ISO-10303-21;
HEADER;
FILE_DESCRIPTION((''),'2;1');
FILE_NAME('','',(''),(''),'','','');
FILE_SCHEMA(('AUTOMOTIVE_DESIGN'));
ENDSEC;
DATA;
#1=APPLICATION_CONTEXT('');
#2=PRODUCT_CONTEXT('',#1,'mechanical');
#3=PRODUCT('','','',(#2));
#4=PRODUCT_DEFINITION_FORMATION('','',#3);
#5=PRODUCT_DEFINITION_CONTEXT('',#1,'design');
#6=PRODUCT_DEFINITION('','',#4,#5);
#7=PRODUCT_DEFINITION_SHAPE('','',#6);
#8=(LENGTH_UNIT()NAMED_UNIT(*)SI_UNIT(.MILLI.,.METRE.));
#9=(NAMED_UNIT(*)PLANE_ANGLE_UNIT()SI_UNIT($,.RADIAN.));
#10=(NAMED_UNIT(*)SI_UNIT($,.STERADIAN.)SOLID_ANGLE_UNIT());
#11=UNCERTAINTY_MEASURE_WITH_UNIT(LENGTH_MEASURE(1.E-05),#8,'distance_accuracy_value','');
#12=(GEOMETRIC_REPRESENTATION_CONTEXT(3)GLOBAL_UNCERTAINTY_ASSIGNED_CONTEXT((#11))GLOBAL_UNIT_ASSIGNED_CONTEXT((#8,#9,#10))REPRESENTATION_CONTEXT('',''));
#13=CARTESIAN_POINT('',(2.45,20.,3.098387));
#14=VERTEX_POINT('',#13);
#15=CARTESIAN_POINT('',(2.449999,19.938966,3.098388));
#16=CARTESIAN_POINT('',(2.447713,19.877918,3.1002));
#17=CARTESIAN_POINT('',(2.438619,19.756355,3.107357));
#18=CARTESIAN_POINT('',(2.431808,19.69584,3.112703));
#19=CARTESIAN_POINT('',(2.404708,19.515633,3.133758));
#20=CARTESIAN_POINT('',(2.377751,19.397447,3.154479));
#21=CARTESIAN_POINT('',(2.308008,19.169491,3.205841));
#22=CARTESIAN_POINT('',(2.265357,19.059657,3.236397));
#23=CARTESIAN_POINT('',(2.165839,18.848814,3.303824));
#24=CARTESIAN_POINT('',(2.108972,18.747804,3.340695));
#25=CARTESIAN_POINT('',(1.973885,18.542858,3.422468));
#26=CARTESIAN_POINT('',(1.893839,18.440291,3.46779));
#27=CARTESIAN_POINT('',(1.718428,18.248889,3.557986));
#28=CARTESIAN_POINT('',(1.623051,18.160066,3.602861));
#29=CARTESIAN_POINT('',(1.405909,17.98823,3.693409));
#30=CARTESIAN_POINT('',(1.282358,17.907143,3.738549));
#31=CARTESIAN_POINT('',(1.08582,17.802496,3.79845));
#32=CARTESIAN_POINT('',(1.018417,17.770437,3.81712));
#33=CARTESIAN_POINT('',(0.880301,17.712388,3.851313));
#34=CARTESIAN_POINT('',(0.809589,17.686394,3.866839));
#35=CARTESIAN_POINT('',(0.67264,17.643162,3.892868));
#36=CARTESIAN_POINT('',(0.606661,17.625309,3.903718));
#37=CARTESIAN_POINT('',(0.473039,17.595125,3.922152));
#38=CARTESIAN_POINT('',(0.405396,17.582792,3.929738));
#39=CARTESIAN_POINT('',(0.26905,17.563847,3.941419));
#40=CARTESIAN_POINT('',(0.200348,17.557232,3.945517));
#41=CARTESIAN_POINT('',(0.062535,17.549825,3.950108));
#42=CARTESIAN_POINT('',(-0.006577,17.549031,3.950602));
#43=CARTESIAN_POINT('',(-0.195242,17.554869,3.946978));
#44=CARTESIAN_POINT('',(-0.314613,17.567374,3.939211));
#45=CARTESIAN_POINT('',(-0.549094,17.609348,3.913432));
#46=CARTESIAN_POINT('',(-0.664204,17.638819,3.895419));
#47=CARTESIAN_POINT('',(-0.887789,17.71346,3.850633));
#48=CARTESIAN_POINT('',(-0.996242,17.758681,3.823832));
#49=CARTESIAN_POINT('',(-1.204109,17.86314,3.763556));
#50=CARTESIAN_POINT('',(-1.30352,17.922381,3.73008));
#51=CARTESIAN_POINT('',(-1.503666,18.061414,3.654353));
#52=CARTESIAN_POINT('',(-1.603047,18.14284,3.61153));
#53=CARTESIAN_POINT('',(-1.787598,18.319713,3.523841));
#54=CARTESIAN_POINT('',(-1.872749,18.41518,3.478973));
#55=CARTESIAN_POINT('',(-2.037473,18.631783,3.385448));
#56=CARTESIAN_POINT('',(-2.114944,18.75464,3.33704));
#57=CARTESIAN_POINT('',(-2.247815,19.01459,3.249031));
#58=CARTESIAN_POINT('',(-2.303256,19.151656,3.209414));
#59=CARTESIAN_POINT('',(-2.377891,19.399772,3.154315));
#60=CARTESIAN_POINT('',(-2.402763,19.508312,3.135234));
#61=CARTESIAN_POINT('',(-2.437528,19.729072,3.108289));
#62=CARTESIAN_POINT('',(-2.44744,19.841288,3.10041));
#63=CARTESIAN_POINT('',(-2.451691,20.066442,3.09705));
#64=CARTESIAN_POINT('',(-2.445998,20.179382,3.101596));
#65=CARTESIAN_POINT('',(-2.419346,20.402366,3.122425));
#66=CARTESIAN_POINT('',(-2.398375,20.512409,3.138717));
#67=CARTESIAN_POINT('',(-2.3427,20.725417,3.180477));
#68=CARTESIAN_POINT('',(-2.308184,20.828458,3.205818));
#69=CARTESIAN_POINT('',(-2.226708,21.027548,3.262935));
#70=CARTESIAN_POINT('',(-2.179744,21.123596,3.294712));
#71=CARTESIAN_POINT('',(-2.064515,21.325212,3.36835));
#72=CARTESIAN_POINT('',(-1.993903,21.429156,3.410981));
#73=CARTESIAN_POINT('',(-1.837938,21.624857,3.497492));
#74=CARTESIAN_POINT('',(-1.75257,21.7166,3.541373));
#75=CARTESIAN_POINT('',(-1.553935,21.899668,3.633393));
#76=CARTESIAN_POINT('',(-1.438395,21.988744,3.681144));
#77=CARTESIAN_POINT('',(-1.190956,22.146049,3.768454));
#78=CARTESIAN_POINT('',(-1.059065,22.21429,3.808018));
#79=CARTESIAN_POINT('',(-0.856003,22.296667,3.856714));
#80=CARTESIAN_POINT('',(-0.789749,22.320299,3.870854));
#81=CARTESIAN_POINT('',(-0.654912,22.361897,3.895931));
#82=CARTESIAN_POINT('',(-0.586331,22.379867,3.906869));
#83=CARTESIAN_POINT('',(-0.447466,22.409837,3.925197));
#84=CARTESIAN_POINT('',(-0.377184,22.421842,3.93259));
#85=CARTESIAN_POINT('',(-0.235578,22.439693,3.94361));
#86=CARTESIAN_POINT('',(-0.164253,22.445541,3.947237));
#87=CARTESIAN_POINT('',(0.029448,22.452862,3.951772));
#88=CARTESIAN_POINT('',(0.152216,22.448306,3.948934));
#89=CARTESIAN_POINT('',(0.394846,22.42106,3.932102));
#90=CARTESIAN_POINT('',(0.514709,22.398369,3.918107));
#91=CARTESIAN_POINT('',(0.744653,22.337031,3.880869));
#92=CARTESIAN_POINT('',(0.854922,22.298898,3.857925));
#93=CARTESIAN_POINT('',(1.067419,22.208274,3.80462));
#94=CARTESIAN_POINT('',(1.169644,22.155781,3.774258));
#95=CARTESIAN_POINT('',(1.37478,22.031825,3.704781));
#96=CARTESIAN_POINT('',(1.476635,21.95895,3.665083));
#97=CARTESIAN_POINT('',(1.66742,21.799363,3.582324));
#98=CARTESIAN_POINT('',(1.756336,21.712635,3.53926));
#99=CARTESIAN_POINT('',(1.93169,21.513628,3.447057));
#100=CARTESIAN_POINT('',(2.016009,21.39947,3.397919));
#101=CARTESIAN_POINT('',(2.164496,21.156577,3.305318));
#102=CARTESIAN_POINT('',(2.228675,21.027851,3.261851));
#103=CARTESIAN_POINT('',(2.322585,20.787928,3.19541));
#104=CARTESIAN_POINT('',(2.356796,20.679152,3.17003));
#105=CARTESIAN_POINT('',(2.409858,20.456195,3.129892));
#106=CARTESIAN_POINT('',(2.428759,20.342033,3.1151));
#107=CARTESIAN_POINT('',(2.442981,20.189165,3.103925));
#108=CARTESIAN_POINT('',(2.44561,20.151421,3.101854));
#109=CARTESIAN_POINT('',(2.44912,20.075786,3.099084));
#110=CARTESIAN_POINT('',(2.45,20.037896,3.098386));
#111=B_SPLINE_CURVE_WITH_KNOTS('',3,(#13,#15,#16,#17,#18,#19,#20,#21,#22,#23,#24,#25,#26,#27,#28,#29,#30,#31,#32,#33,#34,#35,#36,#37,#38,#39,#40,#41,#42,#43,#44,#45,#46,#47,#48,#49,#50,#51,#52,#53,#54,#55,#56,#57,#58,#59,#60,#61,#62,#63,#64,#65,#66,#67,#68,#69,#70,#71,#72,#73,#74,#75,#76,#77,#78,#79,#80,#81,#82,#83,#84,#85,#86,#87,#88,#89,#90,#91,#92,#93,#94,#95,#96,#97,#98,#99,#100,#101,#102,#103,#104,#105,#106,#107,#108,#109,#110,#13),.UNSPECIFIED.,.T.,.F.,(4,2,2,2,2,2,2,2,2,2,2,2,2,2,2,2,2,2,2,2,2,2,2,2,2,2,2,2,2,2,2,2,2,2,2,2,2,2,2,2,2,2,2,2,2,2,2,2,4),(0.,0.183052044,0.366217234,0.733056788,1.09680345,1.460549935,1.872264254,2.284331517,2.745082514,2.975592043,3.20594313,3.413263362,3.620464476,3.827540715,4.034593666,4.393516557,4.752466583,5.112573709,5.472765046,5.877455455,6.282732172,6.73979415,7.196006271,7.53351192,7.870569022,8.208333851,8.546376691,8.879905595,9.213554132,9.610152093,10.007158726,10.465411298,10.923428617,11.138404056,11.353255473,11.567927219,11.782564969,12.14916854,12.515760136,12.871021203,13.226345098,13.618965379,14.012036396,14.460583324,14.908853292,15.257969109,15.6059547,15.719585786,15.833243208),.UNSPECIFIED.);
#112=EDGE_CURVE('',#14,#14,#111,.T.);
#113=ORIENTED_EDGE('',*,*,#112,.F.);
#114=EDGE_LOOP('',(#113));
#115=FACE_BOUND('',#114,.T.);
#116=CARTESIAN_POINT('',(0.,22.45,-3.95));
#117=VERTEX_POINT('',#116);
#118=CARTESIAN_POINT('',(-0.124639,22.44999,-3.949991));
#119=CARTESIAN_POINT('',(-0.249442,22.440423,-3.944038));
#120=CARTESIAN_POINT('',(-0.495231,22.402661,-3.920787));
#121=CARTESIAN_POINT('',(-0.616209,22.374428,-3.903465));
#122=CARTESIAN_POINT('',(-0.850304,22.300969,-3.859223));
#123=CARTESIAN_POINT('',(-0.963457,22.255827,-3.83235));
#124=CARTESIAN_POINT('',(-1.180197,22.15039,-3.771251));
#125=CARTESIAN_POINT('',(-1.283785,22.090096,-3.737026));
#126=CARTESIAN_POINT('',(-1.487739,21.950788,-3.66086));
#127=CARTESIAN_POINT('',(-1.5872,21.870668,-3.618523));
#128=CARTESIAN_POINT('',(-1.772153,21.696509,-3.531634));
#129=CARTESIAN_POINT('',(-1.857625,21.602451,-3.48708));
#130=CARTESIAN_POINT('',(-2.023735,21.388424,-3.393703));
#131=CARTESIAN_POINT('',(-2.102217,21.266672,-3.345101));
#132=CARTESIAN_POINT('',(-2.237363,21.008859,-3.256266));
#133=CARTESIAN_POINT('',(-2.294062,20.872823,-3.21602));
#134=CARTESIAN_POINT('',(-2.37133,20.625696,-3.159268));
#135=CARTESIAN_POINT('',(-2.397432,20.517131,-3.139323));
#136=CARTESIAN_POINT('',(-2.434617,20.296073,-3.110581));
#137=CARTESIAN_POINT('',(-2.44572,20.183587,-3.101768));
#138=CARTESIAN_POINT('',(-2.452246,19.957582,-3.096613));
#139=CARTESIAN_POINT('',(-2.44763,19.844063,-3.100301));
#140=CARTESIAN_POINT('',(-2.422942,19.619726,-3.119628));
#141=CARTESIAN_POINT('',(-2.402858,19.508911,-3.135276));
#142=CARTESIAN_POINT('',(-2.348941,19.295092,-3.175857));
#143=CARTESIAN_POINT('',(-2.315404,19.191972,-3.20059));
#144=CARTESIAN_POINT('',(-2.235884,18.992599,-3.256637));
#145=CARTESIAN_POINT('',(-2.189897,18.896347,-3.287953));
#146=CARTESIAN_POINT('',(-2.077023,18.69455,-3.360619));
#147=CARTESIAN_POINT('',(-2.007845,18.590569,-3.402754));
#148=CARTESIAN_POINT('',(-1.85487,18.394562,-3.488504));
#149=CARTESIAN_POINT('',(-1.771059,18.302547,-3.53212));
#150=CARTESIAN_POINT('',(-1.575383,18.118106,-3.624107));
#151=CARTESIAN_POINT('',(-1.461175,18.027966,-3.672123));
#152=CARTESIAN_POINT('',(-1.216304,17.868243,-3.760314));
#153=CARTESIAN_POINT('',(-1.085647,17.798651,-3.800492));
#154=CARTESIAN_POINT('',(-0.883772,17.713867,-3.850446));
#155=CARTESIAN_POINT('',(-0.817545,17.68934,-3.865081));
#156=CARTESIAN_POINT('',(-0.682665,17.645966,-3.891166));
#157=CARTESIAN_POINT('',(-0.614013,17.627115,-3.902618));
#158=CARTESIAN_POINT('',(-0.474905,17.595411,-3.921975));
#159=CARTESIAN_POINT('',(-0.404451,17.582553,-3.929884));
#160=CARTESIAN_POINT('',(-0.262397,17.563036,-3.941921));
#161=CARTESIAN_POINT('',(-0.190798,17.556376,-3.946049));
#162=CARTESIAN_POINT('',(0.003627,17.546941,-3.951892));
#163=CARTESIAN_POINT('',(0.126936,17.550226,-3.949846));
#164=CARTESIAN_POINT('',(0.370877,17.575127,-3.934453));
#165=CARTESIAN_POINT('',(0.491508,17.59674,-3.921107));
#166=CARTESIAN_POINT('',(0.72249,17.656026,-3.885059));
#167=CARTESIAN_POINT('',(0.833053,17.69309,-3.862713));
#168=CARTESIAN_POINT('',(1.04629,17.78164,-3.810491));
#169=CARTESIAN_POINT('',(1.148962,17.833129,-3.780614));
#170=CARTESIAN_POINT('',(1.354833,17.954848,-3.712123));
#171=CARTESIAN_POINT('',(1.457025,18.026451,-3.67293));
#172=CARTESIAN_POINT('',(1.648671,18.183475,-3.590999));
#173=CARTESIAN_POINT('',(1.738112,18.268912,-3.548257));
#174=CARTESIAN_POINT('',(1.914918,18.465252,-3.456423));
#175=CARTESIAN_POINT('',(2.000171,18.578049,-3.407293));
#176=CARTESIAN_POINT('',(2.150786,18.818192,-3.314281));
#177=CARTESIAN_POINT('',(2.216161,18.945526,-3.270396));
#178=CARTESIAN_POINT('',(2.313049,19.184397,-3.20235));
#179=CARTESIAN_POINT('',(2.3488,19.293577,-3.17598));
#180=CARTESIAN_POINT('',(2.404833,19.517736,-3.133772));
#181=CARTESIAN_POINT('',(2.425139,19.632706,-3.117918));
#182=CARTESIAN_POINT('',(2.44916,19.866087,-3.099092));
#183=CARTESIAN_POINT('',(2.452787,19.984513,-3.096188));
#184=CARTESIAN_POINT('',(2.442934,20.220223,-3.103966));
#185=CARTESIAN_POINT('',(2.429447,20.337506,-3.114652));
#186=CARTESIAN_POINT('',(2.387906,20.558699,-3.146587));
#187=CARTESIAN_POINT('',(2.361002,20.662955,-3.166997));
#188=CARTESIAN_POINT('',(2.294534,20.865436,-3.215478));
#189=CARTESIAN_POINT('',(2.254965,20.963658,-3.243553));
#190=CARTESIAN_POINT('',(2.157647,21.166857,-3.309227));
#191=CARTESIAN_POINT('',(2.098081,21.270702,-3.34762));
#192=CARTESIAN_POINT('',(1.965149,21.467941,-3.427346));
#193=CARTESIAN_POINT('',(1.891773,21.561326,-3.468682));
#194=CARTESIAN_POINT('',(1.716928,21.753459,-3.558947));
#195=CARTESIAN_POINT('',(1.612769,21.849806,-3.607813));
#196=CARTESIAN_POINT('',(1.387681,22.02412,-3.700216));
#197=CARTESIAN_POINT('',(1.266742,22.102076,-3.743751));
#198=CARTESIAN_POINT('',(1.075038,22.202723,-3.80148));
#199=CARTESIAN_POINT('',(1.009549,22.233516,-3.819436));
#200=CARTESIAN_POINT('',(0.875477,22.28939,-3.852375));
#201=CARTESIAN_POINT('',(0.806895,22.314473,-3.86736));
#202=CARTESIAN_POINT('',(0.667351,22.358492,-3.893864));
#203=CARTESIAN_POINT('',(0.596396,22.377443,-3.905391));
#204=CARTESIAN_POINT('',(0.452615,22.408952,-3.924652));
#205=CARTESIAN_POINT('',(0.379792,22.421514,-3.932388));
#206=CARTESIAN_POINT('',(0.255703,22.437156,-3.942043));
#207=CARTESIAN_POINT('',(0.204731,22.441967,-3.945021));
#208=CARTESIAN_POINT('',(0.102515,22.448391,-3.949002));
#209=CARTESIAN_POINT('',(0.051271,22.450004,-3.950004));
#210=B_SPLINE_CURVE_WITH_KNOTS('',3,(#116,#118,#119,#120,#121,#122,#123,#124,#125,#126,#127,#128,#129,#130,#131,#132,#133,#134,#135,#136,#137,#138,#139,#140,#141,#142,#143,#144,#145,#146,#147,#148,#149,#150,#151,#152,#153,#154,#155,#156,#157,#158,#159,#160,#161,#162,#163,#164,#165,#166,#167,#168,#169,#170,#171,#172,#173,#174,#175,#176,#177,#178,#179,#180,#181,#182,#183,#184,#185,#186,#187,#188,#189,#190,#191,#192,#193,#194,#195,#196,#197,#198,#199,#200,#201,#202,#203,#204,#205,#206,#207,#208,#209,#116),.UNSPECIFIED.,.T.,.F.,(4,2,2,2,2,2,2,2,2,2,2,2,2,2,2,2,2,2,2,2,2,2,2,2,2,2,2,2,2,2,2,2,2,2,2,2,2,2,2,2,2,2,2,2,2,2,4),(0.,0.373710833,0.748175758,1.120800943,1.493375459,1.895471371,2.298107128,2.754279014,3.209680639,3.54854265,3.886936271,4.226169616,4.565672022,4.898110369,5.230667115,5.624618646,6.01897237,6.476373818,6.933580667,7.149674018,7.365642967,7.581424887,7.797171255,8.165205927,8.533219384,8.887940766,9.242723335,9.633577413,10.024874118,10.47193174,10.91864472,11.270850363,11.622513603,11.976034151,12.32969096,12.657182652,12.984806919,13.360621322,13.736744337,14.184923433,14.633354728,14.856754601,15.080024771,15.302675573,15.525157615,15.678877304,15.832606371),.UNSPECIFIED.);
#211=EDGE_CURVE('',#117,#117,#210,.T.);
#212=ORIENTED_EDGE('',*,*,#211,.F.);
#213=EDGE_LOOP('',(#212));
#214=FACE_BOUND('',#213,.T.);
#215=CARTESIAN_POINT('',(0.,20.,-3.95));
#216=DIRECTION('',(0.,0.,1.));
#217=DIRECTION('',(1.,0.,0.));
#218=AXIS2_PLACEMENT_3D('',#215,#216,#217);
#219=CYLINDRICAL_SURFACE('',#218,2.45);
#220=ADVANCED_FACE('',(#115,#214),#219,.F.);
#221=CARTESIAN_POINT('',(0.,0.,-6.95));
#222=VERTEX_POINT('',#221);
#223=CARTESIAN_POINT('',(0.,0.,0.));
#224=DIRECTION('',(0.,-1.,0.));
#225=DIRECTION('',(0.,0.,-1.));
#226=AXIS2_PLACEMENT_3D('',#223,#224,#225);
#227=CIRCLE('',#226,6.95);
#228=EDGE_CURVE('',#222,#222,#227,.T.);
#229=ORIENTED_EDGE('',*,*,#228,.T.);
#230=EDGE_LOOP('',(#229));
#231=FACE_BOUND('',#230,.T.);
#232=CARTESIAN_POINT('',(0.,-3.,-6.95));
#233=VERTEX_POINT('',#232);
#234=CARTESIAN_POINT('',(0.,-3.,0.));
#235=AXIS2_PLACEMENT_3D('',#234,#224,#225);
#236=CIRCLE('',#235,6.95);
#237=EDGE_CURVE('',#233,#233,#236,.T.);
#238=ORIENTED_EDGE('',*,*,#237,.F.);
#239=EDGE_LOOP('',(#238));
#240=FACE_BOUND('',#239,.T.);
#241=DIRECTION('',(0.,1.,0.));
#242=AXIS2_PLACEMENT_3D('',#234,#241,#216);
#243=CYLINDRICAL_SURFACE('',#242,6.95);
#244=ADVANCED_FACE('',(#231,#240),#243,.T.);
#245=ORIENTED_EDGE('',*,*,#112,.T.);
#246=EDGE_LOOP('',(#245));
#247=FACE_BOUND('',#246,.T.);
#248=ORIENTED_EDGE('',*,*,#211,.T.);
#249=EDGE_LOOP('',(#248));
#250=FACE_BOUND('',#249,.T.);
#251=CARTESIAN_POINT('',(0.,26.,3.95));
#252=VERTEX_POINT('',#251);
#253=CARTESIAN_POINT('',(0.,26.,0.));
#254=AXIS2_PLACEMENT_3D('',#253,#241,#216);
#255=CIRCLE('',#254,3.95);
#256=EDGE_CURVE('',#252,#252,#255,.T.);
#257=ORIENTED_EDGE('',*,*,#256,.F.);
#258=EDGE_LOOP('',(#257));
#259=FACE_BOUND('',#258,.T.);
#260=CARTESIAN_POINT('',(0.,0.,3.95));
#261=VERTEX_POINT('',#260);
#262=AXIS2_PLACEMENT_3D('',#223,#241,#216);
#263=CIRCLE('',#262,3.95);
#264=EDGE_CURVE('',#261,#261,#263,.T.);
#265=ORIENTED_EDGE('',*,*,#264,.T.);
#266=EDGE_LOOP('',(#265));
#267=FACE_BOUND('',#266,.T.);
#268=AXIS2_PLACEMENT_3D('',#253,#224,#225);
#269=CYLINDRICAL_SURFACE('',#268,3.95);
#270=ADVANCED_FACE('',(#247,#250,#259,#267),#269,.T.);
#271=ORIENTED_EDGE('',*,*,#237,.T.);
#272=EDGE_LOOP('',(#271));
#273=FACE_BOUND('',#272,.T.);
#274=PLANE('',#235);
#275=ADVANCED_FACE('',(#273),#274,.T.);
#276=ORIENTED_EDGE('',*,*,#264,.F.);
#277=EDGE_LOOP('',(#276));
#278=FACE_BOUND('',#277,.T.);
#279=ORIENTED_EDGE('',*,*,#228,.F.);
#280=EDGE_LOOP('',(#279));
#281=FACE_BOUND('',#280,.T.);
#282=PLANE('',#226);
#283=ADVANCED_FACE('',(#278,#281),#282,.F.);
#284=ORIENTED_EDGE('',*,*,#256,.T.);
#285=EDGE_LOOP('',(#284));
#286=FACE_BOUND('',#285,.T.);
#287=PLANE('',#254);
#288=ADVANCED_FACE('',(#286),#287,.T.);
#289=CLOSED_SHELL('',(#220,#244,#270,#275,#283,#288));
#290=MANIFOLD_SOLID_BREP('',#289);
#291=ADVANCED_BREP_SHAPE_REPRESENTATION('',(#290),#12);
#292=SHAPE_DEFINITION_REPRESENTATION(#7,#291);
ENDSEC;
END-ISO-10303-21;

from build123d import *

# Parameters (mm, degrees)
SKETCH1_R               = 3.95
BOSS_EXTRUDE1_DEPTH     = 26
CUT_EXTRUDE1_DEPTH      = 27.59332623
CUT_EXTRUDE1_DEPTH_BACK = 27.59332623
SKETCH2_R               = 2.45
SKETCH3_R               = 6.95
BOSS_EXTRUDE2_DEPTH     = 3


with BuildPart() as part:
    # Sketch1 → Boss-Extrude1 (new body)
    with BuildSketch(Plane(origin=(0, 0, 0), x_dir=(1, 0, 0), z_dir=(0, 1, 0))):
        with Locations(Location((0, 0, 0), (0, 0, 270))):
            Circle(SKETCH1_R)
    extrude(amount=BOSS_EXTRUDE1_DEPTH)

    # Sketch2 → Cut-Extrude1 (cut, two sides: drawn at the far end of the back side and taken through both)
    with BuildSketch(Plane.XY.offset(-CUT_EXTRUDE1_DEPTH_BACK)):
        with Locations((0, 20)):
            Circle(SKETCH2_R)
    extrude(amount=CUT_EXTRUDE1_DEPTH + CUT_EXTRUDE1_DEPTH_BACK, mode=Mode.SUBTRACT)

    # Sketch3 → Boss-Extrude2 (add)
    with BuildSketch(Plane.XZ):
        with Locations(Location((0, 0, 0), (0, 0, 270))):
            Circle(SKETCH3_R)
    extrude(amount=BOSS_EXTRUDE2_DEPTH)


solid = part.part
